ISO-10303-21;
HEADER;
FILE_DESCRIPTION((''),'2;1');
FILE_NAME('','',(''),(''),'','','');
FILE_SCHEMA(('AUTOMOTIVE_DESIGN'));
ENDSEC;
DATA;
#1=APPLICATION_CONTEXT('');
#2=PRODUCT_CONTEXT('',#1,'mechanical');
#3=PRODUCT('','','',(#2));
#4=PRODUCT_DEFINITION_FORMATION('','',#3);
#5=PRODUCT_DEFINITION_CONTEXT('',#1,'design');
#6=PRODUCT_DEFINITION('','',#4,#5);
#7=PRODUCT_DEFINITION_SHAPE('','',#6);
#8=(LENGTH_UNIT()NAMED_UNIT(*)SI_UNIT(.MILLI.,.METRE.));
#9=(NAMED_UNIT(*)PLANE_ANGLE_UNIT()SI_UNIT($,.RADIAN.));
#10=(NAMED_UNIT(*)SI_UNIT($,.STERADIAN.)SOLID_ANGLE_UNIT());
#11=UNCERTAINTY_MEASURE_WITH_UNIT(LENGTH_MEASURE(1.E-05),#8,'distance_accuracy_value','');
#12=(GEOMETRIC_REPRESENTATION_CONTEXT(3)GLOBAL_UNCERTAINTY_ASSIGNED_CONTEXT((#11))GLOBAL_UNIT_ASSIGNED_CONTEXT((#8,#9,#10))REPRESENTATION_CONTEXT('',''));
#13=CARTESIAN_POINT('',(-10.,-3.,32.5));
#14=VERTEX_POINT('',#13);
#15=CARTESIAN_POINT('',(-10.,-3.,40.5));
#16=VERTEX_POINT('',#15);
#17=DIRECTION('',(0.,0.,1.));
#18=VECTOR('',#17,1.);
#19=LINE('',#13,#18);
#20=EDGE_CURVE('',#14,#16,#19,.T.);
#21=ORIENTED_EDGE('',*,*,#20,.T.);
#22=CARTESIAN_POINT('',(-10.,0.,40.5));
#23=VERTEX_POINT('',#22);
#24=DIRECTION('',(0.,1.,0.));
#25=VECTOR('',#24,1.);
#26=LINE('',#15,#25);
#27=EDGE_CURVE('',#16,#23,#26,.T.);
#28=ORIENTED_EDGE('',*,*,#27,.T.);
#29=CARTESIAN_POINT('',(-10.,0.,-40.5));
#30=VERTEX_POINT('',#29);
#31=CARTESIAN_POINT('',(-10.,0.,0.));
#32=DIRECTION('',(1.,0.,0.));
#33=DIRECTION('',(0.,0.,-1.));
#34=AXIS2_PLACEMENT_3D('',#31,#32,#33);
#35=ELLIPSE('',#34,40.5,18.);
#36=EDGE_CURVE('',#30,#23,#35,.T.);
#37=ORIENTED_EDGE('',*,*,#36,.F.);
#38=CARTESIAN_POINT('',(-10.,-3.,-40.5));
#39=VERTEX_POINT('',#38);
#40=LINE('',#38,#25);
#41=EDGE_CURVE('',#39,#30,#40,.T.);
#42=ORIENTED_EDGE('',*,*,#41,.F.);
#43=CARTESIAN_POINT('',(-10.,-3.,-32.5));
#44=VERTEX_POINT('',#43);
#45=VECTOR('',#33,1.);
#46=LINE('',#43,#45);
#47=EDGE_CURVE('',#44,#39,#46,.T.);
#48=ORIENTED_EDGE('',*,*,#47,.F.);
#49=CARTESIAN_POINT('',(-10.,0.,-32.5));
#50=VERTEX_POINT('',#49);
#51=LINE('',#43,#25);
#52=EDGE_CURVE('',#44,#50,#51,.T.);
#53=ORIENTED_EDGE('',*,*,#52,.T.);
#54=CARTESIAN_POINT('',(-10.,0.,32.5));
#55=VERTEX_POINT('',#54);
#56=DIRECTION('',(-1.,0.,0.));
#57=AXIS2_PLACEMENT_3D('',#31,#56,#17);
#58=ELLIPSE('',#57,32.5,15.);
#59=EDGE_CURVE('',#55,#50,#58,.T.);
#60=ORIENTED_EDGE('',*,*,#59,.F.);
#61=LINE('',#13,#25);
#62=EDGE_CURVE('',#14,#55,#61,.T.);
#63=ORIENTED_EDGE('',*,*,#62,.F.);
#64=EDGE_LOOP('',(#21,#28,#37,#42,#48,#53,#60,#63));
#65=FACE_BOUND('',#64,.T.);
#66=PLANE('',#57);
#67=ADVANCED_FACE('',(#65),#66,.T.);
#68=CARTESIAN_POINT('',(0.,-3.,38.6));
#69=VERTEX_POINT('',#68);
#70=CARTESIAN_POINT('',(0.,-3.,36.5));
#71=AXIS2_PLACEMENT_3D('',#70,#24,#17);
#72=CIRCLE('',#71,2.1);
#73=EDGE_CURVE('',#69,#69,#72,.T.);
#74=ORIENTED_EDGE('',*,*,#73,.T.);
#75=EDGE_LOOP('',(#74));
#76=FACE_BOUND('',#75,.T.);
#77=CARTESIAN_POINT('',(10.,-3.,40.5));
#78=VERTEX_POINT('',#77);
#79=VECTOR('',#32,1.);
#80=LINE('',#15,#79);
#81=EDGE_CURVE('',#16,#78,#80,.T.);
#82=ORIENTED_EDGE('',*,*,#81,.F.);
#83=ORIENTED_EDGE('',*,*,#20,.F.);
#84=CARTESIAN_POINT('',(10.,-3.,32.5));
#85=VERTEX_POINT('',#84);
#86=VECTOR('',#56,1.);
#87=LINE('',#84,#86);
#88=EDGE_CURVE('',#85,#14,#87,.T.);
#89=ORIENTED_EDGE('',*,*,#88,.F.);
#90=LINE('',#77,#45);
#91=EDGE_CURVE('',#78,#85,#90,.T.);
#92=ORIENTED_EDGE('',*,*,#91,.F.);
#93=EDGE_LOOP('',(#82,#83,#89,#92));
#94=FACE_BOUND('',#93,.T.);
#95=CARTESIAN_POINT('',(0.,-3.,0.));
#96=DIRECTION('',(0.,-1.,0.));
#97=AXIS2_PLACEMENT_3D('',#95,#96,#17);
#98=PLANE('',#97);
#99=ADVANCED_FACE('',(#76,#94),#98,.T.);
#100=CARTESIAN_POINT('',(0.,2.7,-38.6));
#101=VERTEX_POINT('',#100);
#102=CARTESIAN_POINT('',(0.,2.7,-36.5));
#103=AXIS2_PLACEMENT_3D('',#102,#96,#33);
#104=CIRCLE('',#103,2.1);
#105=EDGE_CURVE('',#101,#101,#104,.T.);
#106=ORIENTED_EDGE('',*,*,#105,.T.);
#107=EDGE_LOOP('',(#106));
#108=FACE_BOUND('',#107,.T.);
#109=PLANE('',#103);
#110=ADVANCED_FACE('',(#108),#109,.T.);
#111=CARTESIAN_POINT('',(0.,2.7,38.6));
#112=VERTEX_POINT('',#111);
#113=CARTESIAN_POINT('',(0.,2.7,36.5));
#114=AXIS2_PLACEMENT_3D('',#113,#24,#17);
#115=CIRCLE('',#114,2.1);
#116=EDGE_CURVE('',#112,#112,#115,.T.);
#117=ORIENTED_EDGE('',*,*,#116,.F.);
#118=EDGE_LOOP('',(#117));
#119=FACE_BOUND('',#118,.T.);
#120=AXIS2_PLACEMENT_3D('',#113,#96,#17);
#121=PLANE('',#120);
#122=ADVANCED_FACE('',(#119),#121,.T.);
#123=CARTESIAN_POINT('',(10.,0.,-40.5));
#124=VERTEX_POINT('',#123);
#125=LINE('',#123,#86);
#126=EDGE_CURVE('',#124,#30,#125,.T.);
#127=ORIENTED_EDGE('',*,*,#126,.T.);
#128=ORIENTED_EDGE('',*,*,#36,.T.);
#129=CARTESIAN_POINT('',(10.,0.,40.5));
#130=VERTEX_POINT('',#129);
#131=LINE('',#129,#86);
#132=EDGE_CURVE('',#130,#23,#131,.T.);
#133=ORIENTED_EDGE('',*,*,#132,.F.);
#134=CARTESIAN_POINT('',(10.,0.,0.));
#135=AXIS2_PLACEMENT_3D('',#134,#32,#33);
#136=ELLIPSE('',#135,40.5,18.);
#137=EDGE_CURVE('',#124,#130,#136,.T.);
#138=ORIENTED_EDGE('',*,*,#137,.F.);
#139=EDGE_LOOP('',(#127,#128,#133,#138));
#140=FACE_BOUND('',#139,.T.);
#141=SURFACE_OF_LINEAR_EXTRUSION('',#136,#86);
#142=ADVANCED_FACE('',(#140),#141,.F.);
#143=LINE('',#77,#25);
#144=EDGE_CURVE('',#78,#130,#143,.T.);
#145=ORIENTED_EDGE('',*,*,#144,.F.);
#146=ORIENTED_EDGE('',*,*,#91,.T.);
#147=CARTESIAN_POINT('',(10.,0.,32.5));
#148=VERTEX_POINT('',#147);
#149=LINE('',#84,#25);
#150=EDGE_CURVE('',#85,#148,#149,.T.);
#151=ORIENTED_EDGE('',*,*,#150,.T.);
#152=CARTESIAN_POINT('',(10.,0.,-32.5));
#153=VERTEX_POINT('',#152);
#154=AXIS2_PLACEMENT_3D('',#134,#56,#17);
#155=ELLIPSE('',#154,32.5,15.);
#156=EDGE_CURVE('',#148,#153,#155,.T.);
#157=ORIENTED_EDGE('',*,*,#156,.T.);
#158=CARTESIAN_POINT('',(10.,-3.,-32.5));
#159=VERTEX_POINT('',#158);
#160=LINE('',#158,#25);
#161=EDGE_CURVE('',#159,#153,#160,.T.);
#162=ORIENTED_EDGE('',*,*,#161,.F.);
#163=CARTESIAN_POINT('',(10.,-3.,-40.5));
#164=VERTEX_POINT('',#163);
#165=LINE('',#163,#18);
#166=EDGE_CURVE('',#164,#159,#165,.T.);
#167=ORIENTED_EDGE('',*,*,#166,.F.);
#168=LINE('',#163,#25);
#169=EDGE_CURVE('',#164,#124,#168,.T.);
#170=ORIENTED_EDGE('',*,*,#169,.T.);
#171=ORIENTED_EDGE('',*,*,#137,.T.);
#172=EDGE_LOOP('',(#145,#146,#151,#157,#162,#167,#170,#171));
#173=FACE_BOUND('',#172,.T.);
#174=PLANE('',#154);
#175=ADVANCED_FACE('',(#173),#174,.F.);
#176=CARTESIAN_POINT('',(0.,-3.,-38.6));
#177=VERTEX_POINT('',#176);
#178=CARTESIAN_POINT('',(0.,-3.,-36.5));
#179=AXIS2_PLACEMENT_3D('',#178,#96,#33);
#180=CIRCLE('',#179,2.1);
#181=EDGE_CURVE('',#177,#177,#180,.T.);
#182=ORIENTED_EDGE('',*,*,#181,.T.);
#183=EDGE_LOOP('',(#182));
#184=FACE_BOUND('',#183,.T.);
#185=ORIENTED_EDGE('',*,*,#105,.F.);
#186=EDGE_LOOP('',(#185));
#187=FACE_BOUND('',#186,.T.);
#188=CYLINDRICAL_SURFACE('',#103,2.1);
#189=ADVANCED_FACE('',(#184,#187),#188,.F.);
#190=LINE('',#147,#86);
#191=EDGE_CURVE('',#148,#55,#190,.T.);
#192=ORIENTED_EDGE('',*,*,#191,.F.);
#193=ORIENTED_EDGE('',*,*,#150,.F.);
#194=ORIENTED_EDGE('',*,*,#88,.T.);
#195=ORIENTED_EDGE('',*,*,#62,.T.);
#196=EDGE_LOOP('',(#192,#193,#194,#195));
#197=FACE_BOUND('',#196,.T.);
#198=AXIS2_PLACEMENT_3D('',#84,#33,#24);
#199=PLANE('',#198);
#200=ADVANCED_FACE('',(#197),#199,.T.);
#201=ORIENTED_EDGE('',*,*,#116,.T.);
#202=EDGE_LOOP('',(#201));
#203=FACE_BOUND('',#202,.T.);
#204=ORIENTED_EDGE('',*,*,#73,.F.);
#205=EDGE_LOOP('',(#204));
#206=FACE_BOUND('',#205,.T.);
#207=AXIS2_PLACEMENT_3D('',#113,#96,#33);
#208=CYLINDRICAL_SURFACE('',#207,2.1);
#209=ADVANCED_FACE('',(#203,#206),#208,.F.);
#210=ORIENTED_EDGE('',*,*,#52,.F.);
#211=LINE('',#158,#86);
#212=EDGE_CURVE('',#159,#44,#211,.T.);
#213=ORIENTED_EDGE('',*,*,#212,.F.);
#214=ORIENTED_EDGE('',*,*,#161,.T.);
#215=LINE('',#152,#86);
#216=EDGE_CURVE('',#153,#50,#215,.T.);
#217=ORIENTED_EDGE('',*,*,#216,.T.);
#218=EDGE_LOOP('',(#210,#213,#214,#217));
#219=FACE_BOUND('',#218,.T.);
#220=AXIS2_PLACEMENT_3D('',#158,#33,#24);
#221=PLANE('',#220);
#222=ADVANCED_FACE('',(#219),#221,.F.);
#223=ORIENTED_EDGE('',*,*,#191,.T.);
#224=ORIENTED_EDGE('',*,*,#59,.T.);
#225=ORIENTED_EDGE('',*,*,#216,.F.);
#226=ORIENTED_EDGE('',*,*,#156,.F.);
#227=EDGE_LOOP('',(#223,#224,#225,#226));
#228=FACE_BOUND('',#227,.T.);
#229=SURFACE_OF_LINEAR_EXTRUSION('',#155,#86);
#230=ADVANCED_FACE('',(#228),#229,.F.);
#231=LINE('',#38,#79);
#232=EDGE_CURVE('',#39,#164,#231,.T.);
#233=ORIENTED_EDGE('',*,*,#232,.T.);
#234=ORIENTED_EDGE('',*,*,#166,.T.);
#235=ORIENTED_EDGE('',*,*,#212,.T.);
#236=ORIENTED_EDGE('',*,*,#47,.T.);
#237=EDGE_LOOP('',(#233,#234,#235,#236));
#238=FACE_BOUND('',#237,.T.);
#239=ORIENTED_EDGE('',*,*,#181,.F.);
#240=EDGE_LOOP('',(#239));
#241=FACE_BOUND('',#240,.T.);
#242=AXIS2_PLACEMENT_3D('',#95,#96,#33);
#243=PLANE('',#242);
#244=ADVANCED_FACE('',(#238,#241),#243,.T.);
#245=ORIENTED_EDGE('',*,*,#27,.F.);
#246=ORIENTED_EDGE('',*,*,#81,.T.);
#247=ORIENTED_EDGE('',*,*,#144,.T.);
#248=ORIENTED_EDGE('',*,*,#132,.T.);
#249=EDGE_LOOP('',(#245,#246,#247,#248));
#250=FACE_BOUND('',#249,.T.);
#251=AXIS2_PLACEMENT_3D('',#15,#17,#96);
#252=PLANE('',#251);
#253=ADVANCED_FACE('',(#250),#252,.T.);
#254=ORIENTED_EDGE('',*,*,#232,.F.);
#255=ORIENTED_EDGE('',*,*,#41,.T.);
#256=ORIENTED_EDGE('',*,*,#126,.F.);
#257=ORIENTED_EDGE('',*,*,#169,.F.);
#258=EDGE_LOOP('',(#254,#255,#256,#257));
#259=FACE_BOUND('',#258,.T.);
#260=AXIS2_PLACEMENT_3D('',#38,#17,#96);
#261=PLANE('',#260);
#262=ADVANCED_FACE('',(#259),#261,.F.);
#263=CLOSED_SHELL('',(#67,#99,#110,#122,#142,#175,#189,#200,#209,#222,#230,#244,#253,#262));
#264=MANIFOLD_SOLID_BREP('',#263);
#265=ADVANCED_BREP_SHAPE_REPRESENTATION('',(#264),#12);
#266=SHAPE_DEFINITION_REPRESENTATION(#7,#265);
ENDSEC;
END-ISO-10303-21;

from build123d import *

# Parameters (mm, degrees)
MAIN_DEPTH             = 10
SKETCH4_W              = 20
SKETCH4_H              = 8
INSERT_EXTENSION_DEPTH = 3
SKETCH5_R              = 2.1
INSERT_HOLE_DEPTH      = 5.7


with BuildPart() as part:
    # Sketch2 → Main (new, symmetric)
    with BuildSketch(Plane(origin=(0, 0, 0), x_dir=(0, 0, -1), z_dir=(1, 0, 0))):
        with BuildLine():
            Line((32.5, 0), (40.5, 0))
            add(Edge.make_bspline(
                [(40.5, 0), (40.5, 18), (0, 18)],
                knots=[0, 0, 0, 1.570796327, 1.570796327, 1.570796327], degree=2, weights=[1, 0.707106781, 1]))
            Line((0, 18), (0, 15))
            add(Edge.make_bspline(
                [(32.5, 0), (32.5, 15), (0, 15)],
                knots=[3.141592654, 3.141592654, 3.141592654, 4.71238898, 4.71238898, 4.71238898], degree=2, weights=[1, 0.707106781, 1]))
        make_face()
    main = extrude(amount=MAIN_DEPTH, both=True)

    # Sketch4 → Insert extension (add)
    with BuildSketch(Plane.XZ):
        with Locations((0, -36.5)):
            Rectangle(SKETCH4_W, SKETCH4_H)
    insert_extension = extrude(amount=INSERT_EXTENSION_DEPTH)

    # Sketch5 → Insert hole (cut)
    with BuildSketch(Plane.XZ.offset(3)):
        with Locations(Location((0, -36.5, 0), (0, 0, 270))):
            Circle(SKETCH5_R)
    insert_hole = extrude(amount=-INSERT_HOLE_DEPTH, mode=Mode.SUBTRACT)

    # Mirror1: Main, Insert extension, Insert hole across plane
    add(main.mirror(Plane(origin=(10, 15, 0), x_dir=(1, 0, 0), z_dir=(0, 0, -1))))
    add(insert_extension.mirror(Plane(origin=(10, 15, 0), x_dir=(1, 0, 0), z_dir=(0, 0, -1))))
    add(insert_hole.mirror(Plane(origin=(10, 15, 0), x_dir=(1, 0, 0), z_dir=(0, 0, -1))), mode=Mode.SUBTRACT)


solid = part.part
